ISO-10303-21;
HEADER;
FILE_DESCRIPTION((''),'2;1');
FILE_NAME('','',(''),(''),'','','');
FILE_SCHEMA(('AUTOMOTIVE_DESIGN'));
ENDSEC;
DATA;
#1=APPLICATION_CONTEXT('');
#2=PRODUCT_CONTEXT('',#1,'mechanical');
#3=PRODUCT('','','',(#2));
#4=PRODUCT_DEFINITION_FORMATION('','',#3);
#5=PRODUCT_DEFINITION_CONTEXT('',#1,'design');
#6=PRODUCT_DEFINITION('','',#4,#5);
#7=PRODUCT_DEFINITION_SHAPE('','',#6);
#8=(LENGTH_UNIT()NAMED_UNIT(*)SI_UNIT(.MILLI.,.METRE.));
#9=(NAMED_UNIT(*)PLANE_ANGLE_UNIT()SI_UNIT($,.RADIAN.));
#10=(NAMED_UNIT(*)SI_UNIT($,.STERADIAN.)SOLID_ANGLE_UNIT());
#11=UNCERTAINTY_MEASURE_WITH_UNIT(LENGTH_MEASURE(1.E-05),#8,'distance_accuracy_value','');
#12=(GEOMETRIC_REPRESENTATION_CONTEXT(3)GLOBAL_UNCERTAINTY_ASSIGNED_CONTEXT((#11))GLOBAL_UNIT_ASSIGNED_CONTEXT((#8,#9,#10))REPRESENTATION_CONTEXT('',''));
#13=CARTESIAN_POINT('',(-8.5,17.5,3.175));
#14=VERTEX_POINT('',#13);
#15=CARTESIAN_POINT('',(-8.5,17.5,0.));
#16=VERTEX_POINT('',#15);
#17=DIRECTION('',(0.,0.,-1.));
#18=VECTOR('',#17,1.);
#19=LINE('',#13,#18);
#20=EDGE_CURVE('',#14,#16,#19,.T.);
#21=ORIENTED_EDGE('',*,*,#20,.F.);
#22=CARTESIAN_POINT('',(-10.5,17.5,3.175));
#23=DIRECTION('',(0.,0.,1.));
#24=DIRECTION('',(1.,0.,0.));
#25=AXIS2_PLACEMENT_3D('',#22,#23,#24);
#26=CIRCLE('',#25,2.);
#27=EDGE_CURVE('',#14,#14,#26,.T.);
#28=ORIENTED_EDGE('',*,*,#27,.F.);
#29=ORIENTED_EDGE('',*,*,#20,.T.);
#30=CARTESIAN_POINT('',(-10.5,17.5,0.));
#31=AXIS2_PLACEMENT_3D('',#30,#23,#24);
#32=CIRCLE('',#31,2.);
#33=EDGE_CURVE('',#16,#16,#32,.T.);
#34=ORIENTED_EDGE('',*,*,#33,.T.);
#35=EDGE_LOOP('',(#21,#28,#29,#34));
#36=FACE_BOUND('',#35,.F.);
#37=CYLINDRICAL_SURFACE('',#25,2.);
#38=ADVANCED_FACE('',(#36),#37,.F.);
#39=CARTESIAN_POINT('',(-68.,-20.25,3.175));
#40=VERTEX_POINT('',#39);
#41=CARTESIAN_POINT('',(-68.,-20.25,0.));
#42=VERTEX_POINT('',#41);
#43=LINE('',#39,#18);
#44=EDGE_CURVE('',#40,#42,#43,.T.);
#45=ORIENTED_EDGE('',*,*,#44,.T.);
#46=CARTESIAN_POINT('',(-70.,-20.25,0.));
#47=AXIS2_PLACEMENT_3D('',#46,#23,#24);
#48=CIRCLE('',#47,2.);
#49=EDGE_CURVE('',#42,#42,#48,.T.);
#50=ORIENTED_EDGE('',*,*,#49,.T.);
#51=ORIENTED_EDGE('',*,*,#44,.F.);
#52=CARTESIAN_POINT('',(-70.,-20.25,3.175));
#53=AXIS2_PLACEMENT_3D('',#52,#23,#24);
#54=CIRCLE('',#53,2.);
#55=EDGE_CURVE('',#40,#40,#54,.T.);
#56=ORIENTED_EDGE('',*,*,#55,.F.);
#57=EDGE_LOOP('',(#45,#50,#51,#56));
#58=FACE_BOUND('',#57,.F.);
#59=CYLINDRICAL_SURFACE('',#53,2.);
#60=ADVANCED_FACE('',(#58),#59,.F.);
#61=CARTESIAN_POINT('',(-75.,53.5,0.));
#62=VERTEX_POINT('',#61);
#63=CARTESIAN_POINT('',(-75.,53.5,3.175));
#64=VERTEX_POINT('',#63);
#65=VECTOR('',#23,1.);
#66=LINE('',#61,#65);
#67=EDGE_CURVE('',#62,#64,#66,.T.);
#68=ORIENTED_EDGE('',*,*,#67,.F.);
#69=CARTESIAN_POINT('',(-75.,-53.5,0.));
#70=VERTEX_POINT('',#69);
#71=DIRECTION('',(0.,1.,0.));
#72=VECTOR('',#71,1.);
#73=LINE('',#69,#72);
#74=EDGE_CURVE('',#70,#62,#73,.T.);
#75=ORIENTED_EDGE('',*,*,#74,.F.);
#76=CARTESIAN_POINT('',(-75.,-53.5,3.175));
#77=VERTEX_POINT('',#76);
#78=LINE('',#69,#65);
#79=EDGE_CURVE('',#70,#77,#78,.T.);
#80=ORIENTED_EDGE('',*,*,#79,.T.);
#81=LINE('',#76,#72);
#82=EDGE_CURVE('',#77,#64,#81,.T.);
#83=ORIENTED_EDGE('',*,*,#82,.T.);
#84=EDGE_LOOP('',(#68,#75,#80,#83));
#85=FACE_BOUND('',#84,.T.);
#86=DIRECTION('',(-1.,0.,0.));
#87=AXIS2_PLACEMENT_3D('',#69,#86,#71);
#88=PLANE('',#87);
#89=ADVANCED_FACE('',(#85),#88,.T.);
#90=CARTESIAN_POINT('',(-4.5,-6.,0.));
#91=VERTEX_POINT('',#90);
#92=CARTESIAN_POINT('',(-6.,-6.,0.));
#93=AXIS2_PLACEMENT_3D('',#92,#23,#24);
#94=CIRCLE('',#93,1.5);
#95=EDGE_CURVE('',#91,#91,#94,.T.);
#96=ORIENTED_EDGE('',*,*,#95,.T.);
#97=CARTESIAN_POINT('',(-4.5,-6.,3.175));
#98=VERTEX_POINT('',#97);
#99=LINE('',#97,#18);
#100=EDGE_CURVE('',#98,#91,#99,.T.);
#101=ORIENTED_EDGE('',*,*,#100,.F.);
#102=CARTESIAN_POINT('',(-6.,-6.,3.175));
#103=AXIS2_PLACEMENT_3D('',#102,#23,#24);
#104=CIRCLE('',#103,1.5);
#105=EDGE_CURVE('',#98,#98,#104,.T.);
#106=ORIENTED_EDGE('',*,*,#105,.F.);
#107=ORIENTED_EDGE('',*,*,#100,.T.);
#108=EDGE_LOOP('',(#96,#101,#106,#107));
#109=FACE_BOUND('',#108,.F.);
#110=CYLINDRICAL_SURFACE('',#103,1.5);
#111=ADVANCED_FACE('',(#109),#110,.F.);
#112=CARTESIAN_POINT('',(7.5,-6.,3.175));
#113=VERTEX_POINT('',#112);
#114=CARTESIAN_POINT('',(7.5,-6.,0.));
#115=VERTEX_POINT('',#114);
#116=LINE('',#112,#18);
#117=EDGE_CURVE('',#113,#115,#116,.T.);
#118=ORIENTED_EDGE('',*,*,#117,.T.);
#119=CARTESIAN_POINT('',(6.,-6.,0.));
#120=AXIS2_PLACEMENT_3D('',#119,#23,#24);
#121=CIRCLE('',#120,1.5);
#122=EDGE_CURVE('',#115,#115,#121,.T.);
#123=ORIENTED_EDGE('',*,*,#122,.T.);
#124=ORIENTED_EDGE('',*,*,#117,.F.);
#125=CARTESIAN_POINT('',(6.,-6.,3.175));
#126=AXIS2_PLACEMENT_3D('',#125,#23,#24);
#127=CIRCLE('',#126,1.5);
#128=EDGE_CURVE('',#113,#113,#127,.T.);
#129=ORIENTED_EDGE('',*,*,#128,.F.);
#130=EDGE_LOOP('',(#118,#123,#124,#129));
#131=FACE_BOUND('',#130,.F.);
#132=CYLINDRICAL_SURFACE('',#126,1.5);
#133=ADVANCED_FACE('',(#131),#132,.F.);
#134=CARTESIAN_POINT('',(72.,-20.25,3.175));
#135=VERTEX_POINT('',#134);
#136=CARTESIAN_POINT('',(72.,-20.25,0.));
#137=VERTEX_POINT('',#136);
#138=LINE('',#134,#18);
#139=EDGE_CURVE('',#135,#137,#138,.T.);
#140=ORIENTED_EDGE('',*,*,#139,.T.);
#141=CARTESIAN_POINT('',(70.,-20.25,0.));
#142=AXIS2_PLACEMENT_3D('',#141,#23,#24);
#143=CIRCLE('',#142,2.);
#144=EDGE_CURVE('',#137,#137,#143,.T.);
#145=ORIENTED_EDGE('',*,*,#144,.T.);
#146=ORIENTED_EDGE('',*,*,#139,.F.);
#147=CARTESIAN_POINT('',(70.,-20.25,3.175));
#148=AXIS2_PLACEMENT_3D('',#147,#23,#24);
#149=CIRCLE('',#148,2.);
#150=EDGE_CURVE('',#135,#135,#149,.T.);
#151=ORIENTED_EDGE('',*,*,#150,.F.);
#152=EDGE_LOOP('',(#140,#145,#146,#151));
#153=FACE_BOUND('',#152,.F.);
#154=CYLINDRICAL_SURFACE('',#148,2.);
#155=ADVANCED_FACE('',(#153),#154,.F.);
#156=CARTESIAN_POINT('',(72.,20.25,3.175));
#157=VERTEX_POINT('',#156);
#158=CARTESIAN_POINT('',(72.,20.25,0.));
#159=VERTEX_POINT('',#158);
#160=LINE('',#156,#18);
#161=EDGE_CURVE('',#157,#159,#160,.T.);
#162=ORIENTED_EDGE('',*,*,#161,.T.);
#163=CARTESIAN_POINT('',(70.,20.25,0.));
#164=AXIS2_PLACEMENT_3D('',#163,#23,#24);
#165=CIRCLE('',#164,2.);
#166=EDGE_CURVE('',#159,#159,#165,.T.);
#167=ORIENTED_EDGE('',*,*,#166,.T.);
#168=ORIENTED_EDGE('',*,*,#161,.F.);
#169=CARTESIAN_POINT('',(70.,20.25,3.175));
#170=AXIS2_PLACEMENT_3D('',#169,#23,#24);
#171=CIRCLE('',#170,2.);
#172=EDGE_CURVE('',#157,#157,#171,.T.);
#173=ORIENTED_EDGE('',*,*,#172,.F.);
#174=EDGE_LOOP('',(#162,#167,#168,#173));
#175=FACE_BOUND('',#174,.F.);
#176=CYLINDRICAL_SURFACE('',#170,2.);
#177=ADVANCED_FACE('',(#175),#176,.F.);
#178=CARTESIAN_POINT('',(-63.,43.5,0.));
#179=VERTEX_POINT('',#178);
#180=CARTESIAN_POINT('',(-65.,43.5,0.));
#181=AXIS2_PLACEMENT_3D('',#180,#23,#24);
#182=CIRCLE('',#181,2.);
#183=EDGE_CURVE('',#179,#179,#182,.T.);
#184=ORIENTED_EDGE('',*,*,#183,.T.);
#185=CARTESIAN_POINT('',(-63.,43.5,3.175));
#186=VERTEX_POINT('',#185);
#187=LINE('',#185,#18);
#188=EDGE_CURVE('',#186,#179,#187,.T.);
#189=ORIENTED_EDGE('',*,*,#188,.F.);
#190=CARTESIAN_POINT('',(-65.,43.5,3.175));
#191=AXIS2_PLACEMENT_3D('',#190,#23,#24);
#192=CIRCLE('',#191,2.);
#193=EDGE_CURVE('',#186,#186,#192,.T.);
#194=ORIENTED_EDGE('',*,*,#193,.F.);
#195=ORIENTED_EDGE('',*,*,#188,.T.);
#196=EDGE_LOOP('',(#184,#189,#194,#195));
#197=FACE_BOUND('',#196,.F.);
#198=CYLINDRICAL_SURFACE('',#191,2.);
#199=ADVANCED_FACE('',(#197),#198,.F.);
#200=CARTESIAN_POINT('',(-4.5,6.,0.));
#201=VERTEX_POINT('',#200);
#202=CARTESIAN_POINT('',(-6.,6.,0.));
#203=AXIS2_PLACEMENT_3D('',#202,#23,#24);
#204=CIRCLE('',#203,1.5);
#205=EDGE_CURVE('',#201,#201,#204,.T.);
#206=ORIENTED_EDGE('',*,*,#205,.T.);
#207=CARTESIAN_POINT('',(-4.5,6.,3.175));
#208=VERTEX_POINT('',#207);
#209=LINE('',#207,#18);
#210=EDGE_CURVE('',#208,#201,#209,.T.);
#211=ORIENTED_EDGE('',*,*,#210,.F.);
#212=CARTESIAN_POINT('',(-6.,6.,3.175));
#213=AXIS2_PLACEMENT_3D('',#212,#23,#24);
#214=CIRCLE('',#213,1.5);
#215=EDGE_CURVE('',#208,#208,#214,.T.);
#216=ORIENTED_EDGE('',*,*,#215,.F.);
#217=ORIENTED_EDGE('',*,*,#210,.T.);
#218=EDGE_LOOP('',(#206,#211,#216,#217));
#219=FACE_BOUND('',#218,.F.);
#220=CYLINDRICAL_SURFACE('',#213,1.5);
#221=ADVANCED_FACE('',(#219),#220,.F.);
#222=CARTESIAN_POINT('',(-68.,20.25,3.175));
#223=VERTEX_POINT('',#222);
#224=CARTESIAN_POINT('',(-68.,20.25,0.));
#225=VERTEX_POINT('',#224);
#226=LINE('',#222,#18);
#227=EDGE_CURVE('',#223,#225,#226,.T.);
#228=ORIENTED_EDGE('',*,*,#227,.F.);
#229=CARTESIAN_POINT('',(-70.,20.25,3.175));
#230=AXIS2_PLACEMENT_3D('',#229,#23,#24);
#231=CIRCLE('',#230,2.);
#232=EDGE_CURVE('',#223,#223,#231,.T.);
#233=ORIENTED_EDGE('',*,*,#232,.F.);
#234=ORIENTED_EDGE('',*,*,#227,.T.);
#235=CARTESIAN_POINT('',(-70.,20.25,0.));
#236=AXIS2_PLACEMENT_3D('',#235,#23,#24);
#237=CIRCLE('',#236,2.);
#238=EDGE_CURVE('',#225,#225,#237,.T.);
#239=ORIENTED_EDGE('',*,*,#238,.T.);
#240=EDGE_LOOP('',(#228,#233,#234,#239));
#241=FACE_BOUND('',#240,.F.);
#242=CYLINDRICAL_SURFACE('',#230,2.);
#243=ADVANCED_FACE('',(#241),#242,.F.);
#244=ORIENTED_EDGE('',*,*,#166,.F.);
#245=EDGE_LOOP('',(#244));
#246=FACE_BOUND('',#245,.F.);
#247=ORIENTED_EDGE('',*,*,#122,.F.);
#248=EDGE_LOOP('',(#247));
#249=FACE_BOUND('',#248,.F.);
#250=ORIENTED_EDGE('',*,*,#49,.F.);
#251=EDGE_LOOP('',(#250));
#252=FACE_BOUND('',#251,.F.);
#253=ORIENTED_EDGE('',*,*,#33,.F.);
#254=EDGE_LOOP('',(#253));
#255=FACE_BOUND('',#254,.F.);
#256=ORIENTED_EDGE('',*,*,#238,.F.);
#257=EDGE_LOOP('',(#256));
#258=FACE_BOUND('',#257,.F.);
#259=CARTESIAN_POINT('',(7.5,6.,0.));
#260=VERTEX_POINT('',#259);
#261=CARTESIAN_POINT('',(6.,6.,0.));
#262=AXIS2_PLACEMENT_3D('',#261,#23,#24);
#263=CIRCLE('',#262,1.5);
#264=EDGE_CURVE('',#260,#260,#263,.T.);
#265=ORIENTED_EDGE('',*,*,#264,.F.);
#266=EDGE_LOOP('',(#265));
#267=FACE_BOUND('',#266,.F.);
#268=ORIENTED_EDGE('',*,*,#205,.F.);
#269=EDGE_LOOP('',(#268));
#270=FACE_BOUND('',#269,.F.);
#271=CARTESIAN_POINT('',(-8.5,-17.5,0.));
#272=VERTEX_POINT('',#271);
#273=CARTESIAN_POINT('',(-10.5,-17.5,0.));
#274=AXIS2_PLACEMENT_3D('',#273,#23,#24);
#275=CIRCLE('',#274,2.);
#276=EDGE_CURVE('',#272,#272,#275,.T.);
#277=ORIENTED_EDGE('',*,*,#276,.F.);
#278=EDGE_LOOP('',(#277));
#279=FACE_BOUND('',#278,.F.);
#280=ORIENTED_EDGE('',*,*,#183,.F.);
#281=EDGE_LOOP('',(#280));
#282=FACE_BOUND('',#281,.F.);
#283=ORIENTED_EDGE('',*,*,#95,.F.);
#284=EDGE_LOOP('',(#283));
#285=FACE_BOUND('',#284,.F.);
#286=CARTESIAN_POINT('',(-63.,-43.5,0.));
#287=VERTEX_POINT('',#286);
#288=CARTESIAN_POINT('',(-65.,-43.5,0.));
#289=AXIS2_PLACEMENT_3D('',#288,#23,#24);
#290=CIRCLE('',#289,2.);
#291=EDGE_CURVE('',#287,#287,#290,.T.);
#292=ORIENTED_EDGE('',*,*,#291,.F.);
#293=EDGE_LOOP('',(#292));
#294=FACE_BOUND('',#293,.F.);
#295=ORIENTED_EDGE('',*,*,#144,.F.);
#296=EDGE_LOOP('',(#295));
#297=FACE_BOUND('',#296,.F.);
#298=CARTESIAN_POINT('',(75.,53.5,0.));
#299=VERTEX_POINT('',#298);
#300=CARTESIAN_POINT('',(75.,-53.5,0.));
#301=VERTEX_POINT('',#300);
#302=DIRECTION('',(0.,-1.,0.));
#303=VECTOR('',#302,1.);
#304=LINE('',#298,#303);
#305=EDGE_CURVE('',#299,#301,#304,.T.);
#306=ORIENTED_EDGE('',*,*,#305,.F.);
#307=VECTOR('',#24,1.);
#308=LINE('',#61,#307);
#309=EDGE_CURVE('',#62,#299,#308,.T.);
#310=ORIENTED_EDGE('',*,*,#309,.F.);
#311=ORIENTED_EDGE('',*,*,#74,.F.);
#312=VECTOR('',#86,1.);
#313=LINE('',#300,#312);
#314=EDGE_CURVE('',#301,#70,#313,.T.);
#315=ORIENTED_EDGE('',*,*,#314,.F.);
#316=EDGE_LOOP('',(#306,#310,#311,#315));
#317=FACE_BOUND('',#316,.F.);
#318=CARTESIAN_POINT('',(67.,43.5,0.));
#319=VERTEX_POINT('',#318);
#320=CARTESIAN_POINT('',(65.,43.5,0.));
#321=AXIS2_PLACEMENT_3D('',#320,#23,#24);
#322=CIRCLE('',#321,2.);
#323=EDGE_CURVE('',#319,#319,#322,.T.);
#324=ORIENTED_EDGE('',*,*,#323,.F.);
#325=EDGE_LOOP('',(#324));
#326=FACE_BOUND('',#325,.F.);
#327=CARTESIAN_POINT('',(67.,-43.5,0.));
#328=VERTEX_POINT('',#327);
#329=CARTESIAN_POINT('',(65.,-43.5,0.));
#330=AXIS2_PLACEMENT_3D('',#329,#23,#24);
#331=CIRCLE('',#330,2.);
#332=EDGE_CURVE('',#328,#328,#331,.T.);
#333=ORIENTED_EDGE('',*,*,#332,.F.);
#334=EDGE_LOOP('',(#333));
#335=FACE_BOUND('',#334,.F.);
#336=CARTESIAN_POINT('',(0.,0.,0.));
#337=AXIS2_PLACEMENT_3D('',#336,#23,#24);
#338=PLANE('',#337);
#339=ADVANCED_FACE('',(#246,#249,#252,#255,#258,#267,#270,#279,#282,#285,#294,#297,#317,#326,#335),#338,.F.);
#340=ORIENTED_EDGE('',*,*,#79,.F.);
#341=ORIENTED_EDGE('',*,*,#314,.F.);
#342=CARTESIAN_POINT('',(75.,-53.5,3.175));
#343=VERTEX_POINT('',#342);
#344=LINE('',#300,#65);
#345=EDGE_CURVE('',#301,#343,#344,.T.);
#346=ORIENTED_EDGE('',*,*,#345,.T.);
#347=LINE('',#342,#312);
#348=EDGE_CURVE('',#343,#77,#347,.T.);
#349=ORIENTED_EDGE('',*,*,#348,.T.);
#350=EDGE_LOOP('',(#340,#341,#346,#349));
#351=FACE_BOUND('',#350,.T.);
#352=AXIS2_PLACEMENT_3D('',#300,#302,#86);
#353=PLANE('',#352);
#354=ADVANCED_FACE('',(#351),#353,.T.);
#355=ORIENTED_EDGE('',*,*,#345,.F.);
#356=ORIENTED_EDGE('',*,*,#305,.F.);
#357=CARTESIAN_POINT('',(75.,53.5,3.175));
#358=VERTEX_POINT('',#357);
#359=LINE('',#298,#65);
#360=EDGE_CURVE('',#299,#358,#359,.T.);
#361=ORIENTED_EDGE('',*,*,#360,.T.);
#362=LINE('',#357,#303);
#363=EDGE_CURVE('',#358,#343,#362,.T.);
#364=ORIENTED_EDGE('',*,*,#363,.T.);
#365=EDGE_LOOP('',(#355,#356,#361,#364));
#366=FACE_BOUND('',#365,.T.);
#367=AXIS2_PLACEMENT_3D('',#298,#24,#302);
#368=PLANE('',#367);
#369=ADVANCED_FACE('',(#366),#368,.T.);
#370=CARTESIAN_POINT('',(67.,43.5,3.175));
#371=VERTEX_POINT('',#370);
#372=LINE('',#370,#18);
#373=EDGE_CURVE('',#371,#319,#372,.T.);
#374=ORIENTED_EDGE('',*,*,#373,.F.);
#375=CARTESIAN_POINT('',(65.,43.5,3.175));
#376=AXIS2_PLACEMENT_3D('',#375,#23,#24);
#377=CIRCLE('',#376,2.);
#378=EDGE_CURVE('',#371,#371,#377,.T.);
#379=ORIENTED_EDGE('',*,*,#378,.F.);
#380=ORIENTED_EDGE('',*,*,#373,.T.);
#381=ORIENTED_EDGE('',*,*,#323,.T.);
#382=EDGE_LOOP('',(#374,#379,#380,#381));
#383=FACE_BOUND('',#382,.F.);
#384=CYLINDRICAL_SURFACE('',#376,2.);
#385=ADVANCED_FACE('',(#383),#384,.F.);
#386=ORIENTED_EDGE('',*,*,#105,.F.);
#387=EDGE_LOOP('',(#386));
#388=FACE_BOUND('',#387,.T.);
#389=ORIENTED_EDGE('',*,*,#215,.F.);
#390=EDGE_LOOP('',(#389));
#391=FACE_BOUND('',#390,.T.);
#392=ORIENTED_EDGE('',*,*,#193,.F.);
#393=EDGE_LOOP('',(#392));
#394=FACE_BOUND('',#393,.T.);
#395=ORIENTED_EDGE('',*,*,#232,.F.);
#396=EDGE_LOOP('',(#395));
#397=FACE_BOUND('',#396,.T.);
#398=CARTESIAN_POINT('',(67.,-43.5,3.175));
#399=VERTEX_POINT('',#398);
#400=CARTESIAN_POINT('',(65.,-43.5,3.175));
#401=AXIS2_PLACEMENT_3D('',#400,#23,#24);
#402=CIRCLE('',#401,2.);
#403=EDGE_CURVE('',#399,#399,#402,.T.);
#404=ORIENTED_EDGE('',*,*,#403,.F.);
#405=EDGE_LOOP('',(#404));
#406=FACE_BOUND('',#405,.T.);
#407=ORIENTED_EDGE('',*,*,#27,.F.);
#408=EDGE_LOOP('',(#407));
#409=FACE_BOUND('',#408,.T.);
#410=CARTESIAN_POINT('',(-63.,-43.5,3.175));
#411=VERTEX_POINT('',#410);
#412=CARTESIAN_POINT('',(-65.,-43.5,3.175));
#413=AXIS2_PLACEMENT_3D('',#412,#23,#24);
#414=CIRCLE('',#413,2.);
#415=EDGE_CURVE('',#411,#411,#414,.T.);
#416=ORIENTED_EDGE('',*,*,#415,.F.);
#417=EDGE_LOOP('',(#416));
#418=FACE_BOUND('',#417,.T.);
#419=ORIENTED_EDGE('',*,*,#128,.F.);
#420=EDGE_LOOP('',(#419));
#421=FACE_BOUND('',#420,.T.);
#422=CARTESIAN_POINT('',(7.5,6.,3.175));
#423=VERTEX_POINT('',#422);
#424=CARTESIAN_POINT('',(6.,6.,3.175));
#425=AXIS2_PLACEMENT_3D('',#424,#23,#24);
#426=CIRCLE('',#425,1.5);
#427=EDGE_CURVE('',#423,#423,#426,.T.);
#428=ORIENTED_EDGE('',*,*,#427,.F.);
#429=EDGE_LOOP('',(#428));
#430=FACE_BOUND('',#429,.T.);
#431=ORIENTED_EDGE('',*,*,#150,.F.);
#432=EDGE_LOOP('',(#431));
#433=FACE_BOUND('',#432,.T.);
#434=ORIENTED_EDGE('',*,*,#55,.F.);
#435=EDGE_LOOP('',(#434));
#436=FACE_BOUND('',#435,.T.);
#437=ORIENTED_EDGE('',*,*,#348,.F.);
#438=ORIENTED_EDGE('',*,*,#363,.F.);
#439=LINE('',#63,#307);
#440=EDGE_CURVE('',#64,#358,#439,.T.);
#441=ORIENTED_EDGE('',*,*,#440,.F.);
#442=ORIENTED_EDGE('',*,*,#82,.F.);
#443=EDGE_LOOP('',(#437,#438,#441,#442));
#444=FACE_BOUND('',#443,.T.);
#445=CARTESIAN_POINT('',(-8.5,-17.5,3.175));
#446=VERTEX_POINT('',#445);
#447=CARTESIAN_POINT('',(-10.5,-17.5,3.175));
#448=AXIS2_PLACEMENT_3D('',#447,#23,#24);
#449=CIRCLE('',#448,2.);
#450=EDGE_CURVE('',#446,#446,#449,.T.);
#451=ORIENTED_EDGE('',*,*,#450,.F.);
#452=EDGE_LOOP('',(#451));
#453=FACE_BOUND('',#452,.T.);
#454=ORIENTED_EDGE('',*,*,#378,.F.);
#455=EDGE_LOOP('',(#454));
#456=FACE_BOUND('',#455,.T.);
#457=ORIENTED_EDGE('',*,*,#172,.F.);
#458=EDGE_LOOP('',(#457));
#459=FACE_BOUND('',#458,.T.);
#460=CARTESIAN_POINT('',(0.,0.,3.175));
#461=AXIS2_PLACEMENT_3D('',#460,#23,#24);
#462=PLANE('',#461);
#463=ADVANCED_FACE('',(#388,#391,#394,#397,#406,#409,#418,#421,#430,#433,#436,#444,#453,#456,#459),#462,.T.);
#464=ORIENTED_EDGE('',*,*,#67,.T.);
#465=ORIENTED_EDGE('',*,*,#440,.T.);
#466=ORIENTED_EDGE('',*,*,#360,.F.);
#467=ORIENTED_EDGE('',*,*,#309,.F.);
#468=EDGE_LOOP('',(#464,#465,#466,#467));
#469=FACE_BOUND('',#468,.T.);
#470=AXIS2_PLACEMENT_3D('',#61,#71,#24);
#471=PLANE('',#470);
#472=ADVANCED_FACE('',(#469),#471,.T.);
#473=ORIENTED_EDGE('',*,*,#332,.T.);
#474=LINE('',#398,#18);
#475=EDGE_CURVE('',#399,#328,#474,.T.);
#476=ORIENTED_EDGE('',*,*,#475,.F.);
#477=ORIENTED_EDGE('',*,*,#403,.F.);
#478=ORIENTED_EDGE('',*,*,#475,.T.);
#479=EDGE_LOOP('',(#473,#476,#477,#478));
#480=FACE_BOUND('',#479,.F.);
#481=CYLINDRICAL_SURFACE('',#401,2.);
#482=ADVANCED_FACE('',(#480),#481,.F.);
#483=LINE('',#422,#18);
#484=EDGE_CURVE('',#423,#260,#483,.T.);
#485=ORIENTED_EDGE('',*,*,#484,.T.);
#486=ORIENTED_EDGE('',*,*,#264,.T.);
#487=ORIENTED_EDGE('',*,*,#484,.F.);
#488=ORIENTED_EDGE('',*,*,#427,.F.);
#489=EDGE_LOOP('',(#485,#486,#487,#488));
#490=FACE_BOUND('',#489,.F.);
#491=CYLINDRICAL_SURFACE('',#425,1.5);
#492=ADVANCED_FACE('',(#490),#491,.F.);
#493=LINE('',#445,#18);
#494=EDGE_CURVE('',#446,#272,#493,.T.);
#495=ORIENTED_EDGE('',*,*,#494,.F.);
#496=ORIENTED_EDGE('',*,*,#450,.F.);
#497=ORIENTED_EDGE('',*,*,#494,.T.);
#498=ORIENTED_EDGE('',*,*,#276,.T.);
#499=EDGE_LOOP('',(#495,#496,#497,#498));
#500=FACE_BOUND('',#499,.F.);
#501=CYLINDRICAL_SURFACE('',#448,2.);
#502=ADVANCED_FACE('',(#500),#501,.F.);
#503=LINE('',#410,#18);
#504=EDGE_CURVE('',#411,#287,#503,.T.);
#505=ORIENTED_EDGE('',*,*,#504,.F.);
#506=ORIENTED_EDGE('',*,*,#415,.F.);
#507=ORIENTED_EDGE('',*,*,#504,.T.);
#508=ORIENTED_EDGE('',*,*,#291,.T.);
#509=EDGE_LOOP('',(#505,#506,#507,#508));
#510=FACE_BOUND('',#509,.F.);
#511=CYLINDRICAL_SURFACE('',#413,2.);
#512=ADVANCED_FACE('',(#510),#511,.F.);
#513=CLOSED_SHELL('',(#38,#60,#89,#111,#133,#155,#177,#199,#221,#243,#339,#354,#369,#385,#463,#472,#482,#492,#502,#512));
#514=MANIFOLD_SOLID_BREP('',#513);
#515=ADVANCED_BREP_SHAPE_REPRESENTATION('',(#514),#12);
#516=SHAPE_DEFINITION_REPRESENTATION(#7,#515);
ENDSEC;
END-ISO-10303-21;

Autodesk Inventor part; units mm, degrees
ref_plane "YZ Plane" through (0, 0, 0) normal (1, 0, 0) x (0, 1, 0)
ref_plane "XZ Plane" through (0, 0, 0) normal (0, 1, 0) x (-1, 0, 0)
ref_plane "XY Plane" through (0, 0, 0) normal (0, 0, 1) x (1, 0, 0)
sketch "Sketch1" plane through (0, 0, 0) normal (0, 0, 1) x (1, 0, 0)
  line L0 (-75, 53.5) -> (75, 53.5)
  line L1 (75, 53.5) -> (75, -53.5)
  line L2 (75, -53.5) -> (-75, -53.5)
  line L3 (-75, -53.5) -> (-75, 53.5)
  point P0 (0, 0)
  point P1 (0, -53.5)
  point P2 (75, 0)
  dimension "d0" = 150
  dimension "d1" = 107
extrude "Extrusion1" add sketch "Sketch1" along normal blind 3.175
sketch "Sketch2" plane through (0, 0, 3.175) normal (0, 0, 1) x (1, 0, 0)
  circle A0 centre (-65, 43.5) radius 2
  line L0 (75, 53.5) -> (-75, 53.5) projected
  line L1 (-75, 53.5) -> (-75, -53.5) projected
  circle A1 centre (-65, -43.5) radius 2
  line L2 (-75, -53.5) -> (75, -53.5) projected
  circle A2 centre (-70, 20.25) radius 2
  circle A3 centre (-70, -20.25) radius 2
  circle A4 centre (-10.5, 17.5) radius 2
  circle A5 centre (-10.5, -17.5) radius 2
  circle A6 centre (-6, 6) radius 1.5
  circle A7 centre (-6, -6) radius 1.5
  circle A8 centre (6, 6) radius 1.5
  circle A9 centre (6, -6) radius 1.5
  line L3 (0, 53.5) -> (0, -53.5)
  circle A10 centre (65, 43.5) radius 2
  circle A11 centre (65, -43.5) radius 2
  circle A12 centre (70, 20.25) radius 2
  circle A13 centre (70, -20.25) radius 2
  point P0 (0, 0)
  dimension "d4" = 4
  dimension "d5" = 10
  dimension "d6" = 10
  dimension "d7" = 10
  dimension "d8" = 10
  dimension "d9" = 33.25
  dimension "d10" = 5
  dimension "d11" = 5
  dimension "d13" = 40.5
  dimension "d14" = 4
  dimension "d15" = 36
  dimension "d16" = 64.5
  dimension "d18" = 35
  dimension "d19" = 3
  dimension "d20" = 6
  dimension "d21" = 6
  dimension "d22" = 6
  dimension "d23" = 6
extrude "Extrusion2" cut sketch "Sketch2" against normal through all contours A0 | A1 | A2 | A3 | A4 | A5 | A6 | A7 | A8 | A9 | A10 | A11 | A12 | A13
sketch "Sketch3" plane through (0, 0, 3.175) normal (0, 0, 1) x (1, 0, 0)
  point P0 (0, 0)
equation "\"d7\" = d6"
equation "\"d8\" = d5"
equation "\"d11\" = d10"
equation "\"d14\" = d4"
equation "\"d21\" = d20"
equation "\"d22\" = d20"
equation "\"d23\" = d21"
properties part number "Plancha Inferior"
